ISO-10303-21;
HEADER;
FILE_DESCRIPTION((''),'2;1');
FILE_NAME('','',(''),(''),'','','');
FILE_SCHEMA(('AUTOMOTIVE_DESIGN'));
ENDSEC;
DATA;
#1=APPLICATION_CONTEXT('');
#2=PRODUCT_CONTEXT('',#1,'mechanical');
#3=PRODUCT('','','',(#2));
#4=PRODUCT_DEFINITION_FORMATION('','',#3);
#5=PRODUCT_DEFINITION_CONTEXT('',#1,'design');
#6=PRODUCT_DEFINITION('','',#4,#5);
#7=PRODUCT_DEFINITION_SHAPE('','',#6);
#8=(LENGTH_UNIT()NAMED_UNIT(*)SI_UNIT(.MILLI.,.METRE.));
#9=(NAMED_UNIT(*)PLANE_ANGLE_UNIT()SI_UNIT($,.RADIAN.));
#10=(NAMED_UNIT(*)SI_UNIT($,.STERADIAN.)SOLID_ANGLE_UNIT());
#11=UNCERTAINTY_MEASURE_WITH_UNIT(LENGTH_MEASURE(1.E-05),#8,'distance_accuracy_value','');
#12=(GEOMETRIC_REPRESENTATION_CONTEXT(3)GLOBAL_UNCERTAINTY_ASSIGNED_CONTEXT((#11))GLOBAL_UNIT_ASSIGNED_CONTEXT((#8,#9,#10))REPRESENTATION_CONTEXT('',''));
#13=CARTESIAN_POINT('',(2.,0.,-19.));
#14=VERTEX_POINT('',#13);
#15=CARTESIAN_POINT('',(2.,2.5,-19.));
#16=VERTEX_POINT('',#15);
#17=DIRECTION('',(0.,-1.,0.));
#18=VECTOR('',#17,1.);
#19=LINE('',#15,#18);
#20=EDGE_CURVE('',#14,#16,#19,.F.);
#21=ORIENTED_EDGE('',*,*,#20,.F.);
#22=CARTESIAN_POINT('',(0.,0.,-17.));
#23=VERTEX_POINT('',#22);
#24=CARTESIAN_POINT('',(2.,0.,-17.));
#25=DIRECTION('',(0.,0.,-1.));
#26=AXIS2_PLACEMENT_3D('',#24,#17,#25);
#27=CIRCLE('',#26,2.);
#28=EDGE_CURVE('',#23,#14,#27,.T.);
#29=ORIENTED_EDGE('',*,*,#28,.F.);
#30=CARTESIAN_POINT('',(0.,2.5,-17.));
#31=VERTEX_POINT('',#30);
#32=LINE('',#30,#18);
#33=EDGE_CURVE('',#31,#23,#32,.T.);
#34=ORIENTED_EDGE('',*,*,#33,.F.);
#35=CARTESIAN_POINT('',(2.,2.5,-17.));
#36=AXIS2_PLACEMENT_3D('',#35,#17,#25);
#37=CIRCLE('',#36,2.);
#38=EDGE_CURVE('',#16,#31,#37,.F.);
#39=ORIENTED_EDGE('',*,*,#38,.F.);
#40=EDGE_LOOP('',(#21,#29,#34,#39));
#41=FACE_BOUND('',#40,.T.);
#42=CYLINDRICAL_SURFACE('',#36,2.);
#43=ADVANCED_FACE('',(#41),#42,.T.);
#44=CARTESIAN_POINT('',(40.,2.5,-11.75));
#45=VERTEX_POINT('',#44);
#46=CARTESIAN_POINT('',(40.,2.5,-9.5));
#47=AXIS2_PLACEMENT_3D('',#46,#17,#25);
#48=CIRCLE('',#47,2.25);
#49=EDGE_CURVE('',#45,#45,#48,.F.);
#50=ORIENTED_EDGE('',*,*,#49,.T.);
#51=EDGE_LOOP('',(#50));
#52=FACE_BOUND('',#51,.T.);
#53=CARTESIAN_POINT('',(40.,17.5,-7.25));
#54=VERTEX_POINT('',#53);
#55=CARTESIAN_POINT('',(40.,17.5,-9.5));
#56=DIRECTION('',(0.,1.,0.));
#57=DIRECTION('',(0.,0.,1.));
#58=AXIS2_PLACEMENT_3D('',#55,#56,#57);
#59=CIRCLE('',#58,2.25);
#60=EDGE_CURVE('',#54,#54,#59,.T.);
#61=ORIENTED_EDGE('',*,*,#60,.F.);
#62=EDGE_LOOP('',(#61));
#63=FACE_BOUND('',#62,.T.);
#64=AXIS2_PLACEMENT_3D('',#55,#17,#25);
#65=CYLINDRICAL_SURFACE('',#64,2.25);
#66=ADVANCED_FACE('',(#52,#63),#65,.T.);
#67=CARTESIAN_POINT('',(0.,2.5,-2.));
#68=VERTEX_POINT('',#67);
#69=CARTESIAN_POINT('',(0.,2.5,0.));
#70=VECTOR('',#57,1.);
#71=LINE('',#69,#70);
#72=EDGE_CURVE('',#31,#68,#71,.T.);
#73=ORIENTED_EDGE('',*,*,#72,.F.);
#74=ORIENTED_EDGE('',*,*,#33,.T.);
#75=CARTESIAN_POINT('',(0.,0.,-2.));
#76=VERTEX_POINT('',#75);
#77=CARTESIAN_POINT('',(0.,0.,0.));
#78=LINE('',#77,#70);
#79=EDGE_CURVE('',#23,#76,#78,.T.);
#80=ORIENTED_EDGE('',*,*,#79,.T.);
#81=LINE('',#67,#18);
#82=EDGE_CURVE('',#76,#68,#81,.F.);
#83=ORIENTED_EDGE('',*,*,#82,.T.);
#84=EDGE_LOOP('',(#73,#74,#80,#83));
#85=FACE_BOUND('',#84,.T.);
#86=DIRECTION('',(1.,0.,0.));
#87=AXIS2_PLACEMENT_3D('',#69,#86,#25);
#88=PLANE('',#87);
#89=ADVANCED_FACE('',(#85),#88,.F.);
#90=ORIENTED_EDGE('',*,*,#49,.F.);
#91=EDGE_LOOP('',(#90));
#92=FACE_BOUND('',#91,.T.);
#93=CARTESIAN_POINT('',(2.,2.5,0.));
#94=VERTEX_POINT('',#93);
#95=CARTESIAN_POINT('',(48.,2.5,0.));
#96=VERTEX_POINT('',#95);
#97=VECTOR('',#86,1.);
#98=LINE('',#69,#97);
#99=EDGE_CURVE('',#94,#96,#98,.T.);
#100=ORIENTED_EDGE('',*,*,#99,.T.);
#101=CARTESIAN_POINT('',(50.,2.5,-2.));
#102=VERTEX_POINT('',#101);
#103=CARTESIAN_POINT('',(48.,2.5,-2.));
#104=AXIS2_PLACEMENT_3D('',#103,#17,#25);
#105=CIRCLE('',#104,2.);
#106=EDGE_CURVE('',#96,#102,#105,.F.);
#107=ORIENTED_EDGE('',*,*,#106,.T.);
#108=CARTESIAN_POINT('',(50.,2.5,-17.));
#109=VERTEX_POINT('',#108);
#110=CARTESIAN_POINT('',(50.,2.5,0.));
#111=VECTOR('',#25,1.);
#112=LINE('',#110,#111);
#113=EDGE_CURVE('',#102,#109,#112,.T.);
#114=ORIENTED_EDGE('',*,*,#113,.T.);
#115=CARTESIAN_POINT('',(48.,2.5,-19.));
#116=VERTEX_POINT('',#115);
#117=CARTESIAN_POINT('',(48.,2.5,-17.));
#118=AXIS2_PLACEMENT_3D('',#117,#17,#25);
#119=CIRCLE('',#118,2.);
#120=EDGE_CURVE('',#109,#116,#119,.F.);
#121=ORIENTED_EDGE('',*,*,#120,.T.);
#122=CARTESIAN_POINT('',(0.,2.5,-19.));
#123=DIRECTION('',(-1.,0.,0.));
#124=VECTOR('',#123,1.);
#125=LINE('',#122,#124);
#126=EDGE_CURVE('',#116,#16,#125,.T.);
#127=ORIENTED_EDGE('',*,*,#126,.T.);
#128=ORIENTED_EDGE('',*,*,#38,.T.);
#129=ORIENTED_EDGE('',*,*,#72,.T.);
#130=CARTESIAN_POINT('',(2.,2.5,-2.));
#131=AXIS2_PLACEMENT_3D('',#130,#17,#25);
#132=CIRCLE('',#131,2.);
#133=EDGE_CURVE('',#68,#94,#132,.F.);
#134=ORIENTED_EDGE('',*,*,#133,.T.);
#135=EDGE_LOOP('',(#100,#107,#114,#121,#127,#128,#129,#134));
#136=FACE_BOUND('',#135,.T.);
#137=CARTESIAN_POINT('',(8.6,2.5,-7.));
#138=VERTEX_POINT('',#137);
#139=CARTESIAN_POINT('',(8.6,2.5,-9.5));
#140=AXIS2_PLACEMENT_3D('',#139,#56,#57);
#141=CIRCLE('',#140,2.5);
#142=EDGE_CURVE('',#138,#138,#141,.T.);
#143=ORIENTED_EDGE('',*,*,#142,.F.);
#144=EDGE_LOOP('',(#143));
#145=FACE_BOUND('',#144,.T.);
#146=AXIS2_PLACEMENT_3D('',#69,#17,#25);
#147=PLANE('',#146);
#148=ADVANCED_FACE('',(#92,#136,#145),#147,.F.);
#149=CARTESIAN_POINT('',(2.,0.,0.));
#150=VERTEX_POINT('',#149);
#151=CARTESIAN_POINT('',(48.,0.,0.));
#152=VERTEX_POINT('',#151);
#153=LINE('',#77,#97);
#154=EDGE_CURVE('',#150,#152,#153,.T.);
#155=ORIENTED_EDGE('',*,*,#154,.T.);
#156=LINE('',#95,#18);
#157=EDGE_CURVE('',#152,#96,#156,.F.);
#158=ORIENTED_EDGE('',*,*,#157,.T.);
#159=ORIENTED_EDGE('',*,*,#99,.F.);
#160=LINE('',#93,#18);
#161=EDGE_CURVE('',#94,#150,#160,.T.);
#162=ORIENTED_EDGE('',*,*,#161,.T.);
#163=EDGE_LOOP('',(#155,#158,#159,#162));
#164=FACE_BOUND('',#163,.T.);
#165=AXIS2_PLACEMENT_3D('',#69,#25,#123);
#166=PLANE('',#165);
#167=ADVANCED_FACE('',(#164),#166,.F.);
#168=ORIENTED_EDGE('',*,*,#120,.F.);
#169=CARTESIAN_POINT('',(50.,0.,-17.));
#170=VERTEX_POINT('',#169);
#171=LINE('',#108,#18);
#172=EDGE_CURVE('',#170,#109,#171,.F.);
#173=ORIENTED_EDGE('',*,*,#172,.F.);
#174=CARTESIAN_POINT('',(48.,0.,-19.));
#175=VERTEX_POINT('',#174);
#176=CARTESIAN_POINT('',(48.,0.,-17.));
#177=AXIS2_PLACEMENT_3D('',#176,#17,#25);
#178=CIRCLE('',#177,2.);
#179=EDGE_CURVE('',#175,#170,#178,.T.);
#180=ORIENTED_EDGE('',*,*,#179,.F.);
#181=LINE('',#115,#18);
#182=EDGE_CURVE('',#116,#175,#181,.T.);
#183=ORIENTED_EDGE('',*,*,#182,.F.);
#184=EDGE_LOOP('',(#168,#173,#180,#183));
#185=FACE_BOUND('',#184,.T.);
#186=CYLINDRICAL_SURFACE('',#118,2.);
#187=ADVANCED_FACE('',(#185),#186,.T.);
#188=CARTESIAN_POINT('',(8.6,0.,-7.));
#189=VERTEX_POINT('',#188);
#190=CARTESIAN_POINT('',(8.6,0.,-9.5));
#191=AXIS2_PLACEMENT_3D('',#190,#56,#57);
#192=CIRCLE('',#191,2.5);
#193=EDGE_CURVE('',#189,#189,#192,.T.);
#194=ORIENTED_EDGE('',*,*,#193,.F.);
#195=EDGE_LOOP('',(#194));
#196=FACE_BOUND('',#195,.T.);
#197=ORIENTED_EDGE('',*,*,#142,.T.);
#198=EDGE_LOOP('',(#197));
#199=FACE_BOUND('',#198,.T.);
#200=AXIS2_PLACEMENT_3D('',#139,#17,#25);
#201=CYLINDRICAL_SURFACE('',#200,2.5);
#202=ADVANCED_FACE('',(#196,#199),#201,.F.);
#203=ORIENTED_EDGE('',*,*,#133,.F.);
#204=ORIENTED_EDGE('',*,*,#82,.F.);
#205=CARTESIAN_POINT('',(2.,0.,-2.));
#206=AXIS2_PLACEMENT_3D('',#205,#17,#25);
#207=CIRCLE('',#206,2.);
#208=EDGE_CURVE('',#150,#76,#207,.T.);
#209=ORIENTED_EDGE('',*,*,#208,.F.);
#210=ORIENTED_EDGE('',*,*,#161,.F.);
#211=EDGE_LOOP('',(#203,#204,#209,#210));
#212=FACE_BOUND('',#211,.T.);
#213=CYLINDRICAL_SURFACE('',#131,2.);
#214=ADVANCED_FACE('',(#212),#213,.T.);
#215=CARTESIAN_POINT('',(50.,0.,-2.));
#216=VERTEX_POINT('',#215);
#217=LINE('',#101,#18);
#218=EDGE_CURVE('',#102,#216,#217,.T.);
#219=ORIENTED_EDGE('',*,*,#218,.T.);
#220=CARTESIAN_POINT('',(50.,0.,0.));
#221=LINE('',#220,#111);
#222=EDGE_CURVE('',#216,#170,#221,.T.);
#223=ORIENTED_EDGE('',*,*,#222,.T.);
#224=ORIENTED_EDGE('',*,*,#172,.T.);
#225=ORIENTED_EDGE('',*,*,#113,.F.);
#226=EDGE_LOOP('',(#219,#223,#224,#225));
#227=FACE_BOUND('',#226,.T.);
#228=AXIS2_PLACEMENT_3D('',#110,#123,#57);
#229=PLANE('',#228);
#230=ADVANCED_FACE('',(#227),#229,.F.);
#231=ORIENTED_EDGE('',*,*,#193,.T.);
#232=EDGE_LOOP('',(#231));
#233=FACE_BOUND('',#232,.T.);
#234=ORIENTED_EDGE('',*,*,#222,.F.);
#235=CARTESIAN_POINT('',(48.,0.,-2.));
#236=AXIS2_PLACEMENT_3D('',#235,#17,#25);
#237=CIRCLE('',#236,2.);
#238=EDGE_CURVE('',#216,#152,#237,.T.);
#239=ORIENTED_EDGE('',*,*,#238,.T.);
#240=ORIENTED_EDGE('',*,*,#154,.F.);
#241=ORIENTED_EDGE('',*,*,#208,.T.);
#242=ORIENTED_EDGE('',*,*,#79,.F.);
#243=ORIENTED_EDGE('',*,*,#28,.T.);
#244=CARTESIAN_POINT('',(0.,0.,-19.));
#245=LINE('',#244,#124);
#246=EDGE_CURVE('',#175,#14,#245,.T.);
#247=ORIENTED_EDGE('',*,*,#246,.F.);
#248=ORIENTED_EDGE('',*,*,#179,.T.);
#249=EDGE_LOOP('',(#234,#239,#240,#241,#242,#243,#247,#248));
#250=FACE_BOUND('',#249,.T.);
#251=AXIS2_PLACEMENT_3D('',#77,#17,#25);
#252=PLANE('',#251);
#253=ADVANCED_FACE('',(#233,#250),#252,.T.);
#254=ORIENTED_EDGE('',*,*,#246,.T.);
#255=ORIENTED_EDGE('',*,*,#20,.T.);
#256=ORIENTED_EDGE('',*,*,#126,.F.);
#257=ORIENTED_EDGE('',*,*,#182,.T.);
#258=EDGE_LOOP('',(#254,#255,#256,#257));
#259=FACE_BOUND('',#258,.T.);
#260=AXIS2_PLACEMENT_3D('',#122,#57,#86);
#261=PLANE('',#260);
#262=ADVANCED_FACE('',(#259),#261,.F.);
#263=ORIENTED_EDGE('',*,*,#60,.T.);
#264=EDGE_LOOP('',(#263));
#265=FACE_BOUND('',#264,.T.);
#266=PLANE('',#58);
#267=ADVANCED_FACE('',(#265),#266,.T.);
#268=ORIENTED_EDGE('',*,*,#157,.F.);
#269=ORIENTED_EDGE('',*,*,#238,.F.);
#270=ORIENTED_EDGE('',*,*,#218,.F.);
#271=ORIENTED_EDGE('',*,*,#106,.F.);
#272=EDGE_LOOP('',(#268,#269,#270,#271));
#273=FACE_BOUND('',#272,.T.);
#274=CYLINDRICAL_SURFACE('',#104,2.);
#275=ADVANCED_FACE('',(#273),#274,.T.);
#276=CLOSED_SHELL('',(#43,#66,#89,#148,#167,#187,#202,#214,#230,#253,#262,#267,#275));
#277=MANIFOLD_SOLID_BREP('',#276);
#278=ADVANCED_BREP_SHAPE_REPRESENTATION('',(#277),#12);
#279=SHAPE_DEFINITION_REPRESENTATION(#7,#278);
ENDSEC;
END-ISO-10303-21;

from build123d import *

# Parameters (mm, degrees)
SKETCH1_W        = 50
SKETCH1_H        = 19
SKETCH1_R        = 2.5
BASE_PLATE_DEPTH = 2.5
SKETCH2_R        = 2.25
AXIS_DEPTH       = 15
FILLET1_R        = 2


with BuildPart() as part:
    # Sketch1 → Base Plate (new body)
    with BuildSketch(Plane(origin=(0, 0, 0), x_dir=(1, 0, 0), z_dir=(0, 1, 0))):
        with Locations((25, 9.5)):
            Rectangle(SKETCH1_W, SKETCH1_H)
        with Locations(Location((8.6, 9.5, 0), (0, 0, 270))):
            Circle(SKETCH1_R, mode=Mode.SUBTRACT)
    extrude(amount=BASE_PLATE_DEPTH)

    # Sketch2 → Axis (add)
    with BuildSketch(Plane(origin=(0, 2.5, 0), x_dir=(1, 0, 0), z_dir=(0, 1, 0))):
        with Locations(Location((40, 9.5, 0), (0, 0, 90))):
            Circle(SKETCH2_R)
    extrude(amount=AXIS_DEPTH)

    # Fillet1
    fillet1_edges = [part.edges().sort_by_distance(p)[0] for p in [
        (0, 1.25, -19),
        (50, 1.25, -19),
        (50, 1.25, 0),
        (0, 1.25, 0),
    ]]
    fillet(fillet1_edges, radius=FILLET1_R)


solid = part.part
